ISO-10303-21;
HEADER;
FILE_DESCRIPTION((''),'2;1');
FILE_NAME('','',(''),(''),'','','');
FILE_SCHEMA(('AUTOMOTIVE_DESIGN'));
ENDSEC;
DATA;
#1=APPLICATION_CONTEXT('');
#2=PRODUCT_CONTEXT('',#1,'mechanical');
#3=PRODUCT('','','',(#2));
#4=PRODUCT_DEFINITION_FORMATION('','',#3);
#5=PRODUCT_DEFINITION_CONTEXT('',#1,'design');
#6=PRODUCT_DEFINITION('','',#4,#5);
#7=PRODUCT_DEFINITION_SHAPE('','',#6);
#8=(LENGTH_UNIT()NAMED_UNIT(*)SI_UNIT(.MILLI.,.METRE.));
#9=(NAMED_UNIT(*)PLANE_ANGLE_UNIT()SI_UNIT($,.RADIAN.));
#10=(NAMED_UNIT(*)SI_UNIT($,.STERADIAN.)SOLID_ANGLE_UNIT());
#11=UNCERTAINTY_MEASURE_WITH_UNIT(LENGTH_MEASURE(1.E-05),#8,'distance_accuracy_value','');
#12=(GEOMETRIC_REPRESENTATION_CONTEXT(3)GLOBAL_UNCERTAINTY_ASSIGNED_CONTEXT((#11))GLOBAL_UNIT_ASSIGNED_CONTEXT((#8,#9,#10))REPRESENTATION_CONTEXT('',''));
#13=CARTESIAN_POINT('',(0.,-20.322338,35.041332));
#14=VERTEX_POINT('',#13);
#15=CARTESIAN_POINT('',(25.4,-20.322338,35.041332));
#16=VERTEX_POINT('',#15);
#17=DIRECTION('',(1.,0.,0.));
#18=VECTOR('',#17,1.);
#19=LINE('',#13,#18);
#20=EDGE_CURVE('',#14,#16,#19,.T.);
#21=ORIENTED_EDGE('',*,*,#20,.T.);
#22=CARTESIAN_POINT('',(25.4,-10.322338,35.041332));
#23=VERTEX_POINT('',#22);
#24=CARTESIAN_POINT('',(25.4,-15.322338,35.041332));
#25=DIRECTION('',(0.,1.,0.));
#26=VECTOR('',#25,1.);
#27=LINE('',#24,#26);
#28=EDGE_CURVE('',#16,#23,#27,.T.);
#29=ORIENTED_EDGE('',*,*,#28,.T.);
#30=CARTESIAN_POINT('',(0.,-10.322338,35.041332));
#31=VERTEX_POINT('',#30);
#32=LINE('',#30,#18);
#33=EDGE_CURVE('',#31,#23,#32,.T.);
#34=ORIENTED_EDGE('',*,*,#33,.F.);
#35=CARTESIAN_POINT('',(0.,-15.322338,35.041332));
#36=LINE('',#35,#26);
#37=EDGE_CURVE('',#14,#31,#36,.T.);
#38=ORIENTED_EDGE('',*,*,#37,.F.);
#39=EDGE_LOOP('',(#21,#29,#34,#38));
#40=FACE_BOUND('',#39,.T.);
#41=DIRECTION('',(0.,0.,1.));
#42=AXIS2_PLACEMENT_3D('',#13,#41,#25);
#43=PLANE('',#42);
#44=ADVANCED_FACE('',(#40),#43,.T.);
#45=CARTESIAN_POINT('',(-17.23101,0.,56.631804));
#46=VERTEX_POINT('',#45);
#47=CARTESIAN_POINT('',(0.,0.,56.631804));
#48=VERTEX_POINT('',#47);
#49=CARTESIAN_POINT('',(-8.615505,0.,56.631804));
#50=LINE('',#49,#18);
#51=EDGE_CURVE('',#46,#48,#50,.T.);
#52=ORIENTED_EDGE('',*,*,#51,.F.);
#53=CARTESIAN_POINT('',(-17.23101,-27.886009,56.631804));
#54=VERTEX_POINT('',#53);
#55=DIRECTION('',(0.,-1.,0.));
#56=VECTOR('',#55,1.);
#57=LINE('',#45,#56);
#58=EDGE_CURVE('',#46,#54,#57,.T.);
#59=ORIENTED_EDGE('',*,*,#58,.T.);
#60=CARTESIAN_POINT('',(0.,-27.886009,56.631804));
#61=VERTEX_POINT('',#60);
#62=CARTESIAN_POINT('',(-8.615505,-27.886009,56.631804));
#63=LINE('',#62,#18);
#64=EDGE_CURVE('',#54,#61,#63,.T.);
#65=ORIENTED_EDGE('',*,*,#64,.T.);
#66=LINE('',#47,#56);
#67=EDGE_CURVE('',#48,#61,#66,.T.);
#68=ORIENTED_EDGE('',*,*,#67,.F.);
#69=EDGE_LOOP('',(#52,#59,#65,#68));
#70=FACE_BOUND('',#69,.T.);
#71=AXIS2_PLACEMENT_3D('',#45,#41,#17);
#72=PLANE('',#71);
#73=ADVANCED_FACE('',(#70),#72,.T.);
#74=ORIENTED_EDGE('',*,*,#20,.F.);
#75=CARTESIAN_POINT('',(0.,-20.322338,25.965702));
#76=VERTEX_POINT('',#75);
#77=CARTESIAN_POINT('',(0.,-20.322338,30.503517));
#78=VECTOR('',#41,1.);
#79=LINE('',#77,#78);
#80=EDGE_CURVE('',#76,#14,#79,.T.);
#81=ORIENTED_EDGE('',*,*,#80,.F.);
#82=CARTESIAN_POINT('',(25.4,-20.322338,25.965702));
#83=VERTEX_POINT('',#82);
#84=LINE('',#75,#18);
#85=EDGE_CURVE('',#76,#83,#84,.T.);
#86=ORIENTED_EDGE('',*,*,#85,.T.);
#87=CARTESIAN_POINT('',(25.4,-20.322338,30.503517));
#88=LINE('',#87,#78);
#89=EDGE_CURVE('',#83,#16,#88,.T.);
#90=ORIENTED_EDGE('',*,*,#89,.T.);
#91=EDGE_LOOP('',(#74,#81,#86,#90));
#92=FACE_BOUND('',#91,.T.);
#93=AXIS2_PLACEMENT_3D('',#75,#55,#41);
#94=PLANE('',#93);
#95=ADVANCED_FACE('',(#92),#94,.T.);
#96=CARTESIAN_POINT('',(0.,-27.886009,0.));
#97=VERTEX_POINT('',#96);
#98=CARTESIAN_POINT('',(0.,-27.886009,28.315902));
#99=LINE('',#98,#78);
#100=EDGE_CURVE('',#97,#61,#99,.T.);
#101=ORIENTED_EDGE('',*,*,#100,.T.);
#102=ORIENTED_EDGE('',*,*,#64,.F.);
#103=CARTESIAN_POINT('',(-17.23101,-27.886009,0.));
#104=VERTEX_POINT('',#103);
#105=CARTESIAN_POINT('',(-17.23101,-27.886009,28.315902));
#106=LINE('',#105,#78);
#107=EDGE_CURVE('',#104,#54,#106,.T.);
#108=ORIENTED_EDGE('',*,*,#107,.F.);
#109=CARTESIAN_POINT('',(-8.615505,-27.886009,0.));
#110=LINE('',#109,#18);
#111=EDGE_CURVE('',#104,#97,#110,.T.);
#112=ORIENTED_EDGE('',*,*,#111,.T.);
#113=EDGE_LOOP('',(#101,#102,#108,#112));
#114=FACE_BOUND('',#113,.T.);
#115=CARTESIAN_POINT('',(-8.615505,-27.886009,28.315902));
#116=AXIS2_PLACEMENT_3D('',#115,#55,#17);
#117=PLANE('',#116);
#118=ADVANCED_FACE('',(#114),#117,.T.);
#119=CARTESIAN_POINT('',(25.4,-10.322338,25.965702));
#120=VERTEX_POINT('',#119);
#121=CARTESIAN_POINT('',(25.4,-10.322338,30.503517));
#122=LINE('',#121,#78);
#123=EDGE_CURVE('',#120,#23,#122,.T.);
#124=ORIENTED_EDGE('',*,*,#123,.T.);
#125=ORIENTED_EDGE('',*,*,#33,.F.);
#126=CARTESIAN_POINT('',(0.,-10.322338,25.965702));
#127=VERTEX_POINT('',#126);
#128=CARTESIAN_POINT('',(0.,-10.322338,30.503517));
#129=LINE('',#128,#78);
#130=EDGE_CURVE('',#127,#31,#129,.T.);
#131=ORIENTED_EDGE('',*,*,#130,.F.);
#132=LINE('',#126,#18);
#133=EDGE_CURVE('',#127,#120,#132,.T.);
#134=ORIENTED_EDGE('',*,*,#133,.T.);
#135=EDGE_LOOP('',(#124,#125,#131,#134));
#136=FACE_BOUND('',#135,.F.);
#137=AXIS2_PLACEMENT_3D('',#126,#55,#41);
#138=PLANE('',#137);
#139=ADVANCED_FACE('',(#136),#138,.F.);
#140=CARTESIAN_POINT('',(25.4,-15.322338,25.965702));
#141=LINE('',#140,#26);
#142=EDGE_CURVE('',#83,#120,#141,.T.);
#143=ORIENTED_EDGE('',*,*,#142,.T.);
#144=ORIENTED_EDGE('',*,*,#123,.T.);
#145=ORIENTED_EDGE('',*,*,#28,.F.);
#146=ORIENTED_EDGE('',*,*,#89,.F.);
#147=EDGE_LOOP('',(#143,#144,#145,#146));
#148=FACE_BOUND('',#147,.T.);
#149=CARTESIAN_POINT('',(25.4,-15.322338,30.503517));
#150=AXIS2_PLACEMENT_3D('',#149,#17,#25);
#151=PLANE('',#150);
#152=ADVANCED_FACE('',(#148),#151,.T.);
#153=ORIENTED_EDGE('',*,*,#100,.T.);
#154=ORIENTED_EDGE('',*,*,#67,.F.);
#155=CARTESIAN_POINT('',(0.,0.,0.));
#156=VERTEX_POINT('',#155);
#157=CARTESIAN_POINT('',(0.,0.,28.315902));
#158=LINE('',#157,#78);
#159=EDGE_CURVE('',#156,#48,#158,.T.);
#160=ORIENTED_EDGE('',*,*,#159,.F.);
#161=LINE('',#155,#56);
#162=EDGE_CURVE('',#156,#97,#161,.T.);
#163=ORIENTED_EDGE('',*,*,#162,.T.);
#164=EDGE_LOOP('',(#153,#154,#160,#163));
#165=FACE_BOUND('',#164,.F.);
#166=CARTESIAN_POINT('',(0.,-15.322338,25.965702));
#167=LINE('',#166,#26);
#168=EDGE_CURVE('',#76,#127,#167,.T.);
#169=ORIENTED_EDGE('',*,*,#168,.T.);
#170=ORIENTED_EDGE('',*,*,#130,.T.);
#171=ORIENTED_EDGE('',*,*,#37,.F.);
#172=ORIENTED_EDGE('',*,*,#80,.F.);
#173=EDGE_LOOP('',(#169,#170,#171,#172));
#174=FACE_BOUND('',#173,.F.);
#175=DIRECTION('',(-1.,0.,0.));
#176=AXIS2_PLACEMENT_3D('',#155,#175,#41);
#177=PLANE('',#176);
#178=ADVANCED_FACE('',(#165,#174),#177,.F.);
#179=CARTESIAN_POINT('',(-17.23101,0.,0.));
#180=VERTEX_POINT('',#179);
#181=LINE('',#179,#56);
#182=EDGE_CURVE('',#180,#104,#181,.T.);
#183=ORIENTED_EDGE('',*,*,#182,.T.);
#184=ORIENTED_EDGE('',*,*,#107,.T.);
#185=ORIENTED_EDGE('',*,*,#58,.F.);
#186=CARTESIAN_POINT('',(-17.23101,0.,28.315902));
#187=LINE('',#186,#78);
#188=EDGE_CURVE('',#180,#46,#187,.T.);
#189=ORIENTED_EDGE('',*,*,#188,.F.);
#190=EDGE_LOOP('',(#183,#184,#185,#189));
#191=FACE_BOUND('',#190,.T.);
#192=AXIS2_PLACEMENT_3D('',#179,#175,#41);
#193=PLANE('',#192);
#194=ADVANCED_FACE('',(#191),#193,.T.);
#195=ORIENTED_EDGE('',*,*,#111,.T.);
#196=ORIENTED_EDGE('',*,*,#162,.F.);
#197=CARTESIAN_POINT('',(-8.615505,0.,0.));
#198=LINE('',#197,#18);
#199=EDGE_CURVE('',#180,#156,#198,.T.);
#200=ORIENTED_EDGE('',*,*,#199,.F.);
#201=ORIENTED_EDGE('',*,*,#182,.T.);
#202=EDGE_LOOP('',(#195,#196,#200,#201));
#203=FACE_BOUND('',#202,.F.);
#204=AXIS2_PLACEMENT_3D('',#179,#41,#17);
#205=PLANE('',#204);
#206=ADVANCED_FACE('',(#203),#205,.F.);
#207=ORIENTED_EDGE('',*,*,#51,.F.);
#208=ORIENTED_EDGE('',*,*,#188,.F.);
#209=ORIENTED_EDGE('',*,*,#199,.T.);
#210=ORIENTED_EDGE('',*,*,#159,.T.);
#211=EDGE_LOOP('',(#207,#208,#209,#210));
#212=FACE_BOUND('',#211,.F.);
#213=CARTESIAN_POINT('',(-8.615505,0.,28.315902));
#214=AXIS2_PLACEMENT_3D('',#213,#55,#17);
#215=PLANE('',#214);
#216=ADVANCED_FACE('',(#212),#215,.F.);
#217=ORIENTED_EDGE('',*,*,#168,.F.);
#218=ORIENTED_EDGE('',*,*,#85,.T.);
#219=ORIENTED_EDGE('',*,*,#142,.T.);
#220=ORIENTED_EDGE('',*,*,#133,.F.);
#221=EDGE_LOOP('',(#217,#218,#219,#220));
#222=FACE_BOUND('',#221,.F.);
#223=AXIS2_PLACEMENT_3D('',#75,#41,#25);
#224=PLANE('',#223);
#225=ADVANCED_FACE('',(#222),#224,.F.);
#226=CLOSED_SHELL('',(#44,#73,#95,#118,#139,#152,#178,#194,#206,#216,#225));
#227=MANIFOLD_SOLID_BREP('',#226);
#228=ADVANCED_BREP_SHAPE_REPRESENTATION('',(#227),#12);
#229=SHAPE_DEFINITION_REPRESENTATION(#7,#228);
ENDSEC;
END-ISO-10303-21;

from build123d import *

# Parameters (mm, degrees)
F0_W     = 17.23101
F0_H     = 56.631804
F1_DEPTH = 27.886009
F2_W     = 10
F2_H     = 9.07563
F3_DEPTH = 25.4


with BuildPart() as f1:
    # F0 (on Front) → F1 (new body)
    with BuildSketch(Plane.XZ):
        with Locations((-8.615505, 28.315902)):
            Rectangle(F0_W, F0_H)
    extrude(amount=F1_DEPTH)

    # F2 (on face) → F3 (join)
    with BuildSketch(Plane.YZ):
        with Locations((-15.322338, 30.503517)):
            Rectangle(F2_W, F2_H)
    extrude(amount=F3_DEPTH)


solid = f1.part
